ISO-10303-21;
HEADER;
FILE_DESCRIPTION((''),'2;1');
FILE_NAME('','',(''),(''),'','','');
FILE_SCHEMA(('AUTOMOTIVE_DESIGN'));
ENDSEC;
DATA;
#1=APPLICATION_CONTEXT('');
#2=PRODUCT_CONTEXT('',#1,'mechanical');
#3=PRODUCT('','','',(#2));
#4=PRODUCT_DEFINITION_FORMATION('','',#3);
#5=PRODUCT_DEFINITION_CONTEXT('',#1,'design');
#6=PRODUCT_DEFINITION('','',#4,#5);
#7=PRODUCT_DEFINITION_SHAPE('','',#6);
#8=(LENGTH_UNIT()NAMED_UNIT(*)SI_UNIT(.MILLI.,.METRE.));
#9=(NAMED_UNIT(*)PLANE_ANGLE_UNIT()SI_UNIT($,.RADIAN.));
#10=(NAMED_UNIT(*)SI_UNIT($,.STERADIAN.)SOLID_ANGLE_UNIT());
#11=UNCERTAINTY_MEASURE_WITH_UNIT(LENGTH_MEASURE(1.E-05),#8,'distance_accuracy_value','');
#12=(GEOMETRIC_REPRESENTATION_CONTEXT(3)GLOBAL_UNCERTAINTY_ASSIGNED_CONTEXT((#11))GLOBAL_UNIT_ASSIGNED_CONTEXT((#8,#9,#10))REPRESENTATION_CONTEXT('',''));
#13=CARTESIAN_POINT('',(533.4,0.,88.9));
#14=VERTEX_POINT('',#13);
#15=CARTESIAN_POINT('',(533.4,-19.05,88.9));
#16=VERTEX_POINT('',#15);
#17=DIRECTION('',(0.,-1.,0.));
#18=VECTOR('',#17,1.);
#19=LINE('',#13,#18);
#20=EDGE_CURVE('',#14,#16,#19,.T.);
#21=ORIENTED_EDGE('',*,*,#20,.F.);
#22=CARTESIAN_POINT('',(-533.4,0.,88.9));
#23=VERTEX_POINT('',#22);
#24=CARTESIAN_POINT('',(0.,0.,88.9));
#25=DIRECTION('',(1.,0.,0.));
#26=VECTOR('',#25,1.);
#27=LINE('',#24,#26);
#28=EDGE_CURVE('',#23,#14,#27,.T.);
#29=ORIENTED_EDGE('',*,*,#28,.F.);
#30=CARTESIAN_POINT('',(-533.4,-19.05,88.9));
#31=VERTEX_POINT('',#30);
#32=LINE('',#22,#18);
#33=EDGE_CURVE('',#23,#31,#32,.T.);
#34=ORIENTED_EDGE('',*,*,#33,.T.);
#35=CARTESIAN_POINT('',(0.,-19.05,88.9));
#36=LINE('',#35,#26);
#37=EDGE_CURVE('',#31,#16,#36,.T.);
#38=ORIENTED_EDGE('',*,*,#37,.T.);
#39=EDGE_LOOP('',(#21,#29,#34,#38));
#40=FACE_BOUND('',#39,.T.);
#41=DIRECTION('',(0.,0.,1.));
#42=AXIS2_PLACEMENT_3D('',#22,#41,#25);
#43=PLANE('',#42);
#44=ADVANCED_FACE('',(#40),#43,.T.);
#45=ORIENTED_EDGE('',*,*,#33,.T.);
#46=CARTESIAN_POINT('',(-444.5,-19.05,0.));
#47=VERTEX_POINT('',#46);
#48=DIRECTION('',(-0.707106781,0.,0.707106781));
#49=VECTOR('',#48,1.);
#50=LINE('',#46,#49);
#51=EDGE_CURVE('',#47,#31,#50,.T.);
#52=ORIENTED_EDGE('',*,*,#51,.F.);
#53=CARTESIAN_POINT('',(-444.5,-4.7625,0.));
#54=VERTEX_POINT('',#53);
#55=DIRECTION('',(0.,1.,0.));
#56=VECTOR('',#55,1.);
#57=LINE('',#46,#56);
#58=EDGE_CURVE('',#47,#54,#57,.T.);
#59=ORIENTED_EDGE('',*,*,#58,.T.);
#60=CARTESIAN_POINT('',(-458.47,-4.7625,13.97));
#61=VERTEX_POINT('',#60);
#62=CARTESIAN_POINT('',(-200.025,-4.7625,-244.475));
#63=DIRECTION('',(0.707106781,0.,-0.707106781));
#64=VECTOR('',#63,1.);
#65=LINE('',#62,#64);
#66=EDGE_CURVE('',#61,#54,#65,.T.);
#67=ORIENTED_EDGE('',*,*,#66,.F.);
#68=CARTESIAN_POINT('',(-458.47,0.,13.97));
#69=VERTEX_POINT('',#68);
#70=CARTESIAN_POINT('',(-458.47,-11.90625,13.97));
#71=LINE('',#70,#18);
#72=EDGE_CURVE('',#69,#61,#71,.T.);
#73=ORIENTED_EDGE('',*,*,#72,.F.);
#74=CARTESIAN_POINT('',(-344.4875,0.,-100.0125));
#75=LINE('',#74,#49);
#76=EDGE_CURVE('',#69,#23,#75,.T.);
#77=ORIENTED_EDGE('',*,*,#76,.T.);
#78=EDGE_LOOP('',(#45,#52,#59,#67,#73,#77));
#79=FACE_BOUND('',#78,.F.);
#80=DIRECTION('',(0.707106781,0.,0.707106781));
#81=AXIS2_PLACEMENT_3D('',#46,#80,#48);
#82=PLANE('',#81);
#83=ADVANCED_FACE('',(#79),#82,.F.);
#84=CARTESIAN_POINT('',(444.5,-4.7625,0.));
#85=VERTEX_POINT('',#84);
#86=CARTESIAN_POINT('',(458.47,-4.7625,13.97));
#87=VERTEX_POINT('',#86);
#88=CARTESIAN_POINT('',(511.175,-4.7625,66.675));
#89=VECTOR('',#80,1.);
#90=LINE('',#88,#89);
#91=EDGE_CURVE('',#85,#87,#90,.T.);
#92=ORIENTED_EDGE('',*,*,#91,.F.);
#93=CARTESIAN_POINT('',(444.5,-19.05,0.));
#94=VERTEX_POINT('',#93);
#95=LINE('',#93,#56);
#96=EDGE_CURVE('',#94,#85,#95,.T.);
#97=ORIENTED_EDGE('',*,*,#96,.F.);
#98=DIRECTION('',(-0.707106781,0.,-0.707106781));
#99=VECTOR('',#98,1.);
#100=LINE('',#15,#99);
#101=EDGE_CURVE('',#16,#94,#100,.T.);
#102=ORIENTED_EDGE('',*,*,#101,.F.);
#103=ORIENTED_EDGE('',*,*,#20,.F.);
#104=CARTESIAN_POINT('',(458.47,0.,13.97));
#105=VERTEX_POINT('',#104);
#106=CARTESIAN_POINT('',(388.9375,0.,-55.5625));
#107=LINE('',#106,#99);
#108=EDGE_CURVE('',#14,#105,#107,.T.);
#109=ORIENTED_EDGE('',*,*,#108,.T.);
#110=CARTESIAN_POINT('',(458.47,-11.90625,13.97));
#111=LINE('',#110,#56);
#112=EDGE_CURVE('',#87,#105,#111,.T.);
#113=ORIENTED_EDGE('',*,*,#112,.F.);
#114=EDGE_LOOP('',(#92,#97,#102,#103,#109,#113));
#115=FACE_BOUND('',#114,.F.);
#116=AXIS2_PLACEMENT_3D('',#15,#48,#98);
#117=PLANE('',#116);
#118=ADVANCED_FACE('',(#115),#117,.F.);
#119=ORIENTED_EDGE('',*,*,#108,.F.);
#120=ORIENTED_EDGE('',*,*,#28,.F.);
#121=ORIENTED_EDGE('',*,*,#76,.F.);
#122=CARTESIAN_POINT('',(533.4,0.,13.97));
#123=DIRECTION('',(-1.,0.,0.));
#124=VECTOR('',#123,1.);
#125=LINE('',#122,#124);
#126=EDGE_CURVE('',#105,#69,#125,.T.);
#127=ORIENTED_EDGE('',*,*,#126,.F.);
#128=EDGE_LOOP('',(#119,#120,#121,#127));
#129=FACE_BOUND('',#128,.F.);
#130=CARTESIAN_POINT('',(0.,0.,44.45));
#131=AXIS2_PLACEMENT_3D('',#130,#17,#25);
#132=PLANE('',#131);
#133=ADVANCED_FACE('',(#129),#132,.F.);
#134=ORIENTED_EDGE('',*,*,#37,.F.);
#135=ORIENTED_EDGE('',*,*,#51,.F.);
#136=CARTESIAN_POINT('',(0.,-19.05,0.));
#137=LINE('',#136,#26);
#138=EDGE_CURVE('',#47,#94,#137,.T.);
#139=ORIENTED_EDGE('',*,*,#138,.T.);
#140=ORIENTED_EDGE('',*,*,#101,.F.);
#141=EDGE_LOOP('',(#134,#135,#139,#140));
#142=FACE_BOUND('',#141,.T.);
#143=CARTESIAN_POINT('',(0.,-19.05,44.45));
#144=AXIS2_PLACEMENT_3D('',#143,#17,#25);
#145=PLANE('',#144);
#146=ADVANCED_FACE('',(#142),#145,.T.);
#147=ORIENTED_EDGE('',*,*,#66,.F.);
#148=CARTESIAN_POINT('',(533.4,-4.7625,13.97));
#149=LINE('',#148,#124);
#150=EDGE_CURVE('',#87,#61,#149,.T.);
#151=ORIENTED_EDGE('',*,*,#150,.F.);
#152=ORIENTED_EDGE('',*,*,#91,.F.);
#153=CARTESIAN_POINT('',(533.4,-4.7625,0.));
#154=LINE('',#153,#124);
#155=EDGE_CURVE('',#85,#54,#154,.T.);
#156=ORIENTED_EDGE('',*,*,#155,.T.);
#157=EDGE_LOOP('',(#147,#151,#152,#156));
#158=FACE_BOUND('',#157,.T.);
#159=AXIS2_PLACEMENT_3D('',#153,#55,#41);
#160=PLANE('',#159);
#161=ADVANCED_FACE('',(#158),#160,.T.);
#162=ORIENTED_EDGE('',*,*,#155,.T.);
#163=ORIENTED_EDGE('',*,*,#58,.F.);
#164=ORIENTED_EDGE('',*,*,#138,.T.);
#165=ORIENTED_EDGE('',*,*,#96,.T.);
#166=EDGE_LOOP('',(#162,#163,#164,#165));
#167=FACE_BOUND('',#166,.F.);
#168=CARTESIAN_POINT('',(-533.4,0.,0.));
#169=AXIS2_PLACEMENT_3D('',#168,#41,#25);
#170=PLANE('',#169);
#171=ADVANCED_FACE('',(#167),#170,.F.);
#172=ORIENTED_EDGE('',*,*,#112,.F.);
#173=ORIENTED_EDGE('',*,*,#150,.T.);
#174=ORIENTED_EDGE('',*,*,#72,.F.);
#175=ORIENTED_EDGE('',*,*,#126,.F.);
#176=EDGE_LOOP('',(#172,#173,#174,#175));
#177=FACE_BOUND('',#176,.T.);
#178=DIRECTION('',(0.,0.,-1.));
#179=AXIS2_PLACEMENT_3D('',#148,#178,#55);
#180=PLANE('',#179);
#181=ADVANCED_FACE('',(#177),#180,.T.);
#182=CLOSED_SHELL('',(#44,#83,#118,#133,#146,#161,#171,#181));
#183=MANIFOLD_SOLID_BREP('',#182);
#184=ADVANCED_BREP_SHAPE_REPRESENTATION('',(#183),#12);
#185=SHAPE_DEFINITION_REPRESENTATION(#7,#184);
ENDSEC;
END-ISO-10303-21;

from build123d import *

# Parameters (mm, degrees)
F0_W     = 1066.8
F0_H     = 88.9
F1_DEPTH = 19.05
F2_W     = 4.7625
F2_H     = 13.97
F3_DEPTH = 1066.801
F5_DEPTH = 19.051


with BuildPart() as f1:
    # F0 (on Front) → F1 (new body)
    with BuildSketch(Plane.XZ):
        with Locations((0, 44.45)):
            Rectangle(F0_W, F0_H)
    extrude(amount=F1_DEPTH)

    # F2 (on face) → F3 (cut, through all)
    with BuildSketch(Plane.YZ.offset(533.4)):
        with Locations((-2.38125, 6.985)):
            Rectangle(F2_W, F2_H)
    extrude(amount=-F3_DEPTH, mode=Mode.SUBTRACT)

    # F4 (on face) → F5 (cut, through all)
    with BuildSketch(Plane.XZ.offset(19.05)):
        Polygon((-444.5, 0), (-533.4, 88.9), (-533.4, 0), align=None)
        Polygon((444.5, 0), (533.4, 0), (533.4, 88.9), align=None)
    extrude(amount=-F5_DEPTH, mode=Mode.SUBTRACT)


solid = f1.part
